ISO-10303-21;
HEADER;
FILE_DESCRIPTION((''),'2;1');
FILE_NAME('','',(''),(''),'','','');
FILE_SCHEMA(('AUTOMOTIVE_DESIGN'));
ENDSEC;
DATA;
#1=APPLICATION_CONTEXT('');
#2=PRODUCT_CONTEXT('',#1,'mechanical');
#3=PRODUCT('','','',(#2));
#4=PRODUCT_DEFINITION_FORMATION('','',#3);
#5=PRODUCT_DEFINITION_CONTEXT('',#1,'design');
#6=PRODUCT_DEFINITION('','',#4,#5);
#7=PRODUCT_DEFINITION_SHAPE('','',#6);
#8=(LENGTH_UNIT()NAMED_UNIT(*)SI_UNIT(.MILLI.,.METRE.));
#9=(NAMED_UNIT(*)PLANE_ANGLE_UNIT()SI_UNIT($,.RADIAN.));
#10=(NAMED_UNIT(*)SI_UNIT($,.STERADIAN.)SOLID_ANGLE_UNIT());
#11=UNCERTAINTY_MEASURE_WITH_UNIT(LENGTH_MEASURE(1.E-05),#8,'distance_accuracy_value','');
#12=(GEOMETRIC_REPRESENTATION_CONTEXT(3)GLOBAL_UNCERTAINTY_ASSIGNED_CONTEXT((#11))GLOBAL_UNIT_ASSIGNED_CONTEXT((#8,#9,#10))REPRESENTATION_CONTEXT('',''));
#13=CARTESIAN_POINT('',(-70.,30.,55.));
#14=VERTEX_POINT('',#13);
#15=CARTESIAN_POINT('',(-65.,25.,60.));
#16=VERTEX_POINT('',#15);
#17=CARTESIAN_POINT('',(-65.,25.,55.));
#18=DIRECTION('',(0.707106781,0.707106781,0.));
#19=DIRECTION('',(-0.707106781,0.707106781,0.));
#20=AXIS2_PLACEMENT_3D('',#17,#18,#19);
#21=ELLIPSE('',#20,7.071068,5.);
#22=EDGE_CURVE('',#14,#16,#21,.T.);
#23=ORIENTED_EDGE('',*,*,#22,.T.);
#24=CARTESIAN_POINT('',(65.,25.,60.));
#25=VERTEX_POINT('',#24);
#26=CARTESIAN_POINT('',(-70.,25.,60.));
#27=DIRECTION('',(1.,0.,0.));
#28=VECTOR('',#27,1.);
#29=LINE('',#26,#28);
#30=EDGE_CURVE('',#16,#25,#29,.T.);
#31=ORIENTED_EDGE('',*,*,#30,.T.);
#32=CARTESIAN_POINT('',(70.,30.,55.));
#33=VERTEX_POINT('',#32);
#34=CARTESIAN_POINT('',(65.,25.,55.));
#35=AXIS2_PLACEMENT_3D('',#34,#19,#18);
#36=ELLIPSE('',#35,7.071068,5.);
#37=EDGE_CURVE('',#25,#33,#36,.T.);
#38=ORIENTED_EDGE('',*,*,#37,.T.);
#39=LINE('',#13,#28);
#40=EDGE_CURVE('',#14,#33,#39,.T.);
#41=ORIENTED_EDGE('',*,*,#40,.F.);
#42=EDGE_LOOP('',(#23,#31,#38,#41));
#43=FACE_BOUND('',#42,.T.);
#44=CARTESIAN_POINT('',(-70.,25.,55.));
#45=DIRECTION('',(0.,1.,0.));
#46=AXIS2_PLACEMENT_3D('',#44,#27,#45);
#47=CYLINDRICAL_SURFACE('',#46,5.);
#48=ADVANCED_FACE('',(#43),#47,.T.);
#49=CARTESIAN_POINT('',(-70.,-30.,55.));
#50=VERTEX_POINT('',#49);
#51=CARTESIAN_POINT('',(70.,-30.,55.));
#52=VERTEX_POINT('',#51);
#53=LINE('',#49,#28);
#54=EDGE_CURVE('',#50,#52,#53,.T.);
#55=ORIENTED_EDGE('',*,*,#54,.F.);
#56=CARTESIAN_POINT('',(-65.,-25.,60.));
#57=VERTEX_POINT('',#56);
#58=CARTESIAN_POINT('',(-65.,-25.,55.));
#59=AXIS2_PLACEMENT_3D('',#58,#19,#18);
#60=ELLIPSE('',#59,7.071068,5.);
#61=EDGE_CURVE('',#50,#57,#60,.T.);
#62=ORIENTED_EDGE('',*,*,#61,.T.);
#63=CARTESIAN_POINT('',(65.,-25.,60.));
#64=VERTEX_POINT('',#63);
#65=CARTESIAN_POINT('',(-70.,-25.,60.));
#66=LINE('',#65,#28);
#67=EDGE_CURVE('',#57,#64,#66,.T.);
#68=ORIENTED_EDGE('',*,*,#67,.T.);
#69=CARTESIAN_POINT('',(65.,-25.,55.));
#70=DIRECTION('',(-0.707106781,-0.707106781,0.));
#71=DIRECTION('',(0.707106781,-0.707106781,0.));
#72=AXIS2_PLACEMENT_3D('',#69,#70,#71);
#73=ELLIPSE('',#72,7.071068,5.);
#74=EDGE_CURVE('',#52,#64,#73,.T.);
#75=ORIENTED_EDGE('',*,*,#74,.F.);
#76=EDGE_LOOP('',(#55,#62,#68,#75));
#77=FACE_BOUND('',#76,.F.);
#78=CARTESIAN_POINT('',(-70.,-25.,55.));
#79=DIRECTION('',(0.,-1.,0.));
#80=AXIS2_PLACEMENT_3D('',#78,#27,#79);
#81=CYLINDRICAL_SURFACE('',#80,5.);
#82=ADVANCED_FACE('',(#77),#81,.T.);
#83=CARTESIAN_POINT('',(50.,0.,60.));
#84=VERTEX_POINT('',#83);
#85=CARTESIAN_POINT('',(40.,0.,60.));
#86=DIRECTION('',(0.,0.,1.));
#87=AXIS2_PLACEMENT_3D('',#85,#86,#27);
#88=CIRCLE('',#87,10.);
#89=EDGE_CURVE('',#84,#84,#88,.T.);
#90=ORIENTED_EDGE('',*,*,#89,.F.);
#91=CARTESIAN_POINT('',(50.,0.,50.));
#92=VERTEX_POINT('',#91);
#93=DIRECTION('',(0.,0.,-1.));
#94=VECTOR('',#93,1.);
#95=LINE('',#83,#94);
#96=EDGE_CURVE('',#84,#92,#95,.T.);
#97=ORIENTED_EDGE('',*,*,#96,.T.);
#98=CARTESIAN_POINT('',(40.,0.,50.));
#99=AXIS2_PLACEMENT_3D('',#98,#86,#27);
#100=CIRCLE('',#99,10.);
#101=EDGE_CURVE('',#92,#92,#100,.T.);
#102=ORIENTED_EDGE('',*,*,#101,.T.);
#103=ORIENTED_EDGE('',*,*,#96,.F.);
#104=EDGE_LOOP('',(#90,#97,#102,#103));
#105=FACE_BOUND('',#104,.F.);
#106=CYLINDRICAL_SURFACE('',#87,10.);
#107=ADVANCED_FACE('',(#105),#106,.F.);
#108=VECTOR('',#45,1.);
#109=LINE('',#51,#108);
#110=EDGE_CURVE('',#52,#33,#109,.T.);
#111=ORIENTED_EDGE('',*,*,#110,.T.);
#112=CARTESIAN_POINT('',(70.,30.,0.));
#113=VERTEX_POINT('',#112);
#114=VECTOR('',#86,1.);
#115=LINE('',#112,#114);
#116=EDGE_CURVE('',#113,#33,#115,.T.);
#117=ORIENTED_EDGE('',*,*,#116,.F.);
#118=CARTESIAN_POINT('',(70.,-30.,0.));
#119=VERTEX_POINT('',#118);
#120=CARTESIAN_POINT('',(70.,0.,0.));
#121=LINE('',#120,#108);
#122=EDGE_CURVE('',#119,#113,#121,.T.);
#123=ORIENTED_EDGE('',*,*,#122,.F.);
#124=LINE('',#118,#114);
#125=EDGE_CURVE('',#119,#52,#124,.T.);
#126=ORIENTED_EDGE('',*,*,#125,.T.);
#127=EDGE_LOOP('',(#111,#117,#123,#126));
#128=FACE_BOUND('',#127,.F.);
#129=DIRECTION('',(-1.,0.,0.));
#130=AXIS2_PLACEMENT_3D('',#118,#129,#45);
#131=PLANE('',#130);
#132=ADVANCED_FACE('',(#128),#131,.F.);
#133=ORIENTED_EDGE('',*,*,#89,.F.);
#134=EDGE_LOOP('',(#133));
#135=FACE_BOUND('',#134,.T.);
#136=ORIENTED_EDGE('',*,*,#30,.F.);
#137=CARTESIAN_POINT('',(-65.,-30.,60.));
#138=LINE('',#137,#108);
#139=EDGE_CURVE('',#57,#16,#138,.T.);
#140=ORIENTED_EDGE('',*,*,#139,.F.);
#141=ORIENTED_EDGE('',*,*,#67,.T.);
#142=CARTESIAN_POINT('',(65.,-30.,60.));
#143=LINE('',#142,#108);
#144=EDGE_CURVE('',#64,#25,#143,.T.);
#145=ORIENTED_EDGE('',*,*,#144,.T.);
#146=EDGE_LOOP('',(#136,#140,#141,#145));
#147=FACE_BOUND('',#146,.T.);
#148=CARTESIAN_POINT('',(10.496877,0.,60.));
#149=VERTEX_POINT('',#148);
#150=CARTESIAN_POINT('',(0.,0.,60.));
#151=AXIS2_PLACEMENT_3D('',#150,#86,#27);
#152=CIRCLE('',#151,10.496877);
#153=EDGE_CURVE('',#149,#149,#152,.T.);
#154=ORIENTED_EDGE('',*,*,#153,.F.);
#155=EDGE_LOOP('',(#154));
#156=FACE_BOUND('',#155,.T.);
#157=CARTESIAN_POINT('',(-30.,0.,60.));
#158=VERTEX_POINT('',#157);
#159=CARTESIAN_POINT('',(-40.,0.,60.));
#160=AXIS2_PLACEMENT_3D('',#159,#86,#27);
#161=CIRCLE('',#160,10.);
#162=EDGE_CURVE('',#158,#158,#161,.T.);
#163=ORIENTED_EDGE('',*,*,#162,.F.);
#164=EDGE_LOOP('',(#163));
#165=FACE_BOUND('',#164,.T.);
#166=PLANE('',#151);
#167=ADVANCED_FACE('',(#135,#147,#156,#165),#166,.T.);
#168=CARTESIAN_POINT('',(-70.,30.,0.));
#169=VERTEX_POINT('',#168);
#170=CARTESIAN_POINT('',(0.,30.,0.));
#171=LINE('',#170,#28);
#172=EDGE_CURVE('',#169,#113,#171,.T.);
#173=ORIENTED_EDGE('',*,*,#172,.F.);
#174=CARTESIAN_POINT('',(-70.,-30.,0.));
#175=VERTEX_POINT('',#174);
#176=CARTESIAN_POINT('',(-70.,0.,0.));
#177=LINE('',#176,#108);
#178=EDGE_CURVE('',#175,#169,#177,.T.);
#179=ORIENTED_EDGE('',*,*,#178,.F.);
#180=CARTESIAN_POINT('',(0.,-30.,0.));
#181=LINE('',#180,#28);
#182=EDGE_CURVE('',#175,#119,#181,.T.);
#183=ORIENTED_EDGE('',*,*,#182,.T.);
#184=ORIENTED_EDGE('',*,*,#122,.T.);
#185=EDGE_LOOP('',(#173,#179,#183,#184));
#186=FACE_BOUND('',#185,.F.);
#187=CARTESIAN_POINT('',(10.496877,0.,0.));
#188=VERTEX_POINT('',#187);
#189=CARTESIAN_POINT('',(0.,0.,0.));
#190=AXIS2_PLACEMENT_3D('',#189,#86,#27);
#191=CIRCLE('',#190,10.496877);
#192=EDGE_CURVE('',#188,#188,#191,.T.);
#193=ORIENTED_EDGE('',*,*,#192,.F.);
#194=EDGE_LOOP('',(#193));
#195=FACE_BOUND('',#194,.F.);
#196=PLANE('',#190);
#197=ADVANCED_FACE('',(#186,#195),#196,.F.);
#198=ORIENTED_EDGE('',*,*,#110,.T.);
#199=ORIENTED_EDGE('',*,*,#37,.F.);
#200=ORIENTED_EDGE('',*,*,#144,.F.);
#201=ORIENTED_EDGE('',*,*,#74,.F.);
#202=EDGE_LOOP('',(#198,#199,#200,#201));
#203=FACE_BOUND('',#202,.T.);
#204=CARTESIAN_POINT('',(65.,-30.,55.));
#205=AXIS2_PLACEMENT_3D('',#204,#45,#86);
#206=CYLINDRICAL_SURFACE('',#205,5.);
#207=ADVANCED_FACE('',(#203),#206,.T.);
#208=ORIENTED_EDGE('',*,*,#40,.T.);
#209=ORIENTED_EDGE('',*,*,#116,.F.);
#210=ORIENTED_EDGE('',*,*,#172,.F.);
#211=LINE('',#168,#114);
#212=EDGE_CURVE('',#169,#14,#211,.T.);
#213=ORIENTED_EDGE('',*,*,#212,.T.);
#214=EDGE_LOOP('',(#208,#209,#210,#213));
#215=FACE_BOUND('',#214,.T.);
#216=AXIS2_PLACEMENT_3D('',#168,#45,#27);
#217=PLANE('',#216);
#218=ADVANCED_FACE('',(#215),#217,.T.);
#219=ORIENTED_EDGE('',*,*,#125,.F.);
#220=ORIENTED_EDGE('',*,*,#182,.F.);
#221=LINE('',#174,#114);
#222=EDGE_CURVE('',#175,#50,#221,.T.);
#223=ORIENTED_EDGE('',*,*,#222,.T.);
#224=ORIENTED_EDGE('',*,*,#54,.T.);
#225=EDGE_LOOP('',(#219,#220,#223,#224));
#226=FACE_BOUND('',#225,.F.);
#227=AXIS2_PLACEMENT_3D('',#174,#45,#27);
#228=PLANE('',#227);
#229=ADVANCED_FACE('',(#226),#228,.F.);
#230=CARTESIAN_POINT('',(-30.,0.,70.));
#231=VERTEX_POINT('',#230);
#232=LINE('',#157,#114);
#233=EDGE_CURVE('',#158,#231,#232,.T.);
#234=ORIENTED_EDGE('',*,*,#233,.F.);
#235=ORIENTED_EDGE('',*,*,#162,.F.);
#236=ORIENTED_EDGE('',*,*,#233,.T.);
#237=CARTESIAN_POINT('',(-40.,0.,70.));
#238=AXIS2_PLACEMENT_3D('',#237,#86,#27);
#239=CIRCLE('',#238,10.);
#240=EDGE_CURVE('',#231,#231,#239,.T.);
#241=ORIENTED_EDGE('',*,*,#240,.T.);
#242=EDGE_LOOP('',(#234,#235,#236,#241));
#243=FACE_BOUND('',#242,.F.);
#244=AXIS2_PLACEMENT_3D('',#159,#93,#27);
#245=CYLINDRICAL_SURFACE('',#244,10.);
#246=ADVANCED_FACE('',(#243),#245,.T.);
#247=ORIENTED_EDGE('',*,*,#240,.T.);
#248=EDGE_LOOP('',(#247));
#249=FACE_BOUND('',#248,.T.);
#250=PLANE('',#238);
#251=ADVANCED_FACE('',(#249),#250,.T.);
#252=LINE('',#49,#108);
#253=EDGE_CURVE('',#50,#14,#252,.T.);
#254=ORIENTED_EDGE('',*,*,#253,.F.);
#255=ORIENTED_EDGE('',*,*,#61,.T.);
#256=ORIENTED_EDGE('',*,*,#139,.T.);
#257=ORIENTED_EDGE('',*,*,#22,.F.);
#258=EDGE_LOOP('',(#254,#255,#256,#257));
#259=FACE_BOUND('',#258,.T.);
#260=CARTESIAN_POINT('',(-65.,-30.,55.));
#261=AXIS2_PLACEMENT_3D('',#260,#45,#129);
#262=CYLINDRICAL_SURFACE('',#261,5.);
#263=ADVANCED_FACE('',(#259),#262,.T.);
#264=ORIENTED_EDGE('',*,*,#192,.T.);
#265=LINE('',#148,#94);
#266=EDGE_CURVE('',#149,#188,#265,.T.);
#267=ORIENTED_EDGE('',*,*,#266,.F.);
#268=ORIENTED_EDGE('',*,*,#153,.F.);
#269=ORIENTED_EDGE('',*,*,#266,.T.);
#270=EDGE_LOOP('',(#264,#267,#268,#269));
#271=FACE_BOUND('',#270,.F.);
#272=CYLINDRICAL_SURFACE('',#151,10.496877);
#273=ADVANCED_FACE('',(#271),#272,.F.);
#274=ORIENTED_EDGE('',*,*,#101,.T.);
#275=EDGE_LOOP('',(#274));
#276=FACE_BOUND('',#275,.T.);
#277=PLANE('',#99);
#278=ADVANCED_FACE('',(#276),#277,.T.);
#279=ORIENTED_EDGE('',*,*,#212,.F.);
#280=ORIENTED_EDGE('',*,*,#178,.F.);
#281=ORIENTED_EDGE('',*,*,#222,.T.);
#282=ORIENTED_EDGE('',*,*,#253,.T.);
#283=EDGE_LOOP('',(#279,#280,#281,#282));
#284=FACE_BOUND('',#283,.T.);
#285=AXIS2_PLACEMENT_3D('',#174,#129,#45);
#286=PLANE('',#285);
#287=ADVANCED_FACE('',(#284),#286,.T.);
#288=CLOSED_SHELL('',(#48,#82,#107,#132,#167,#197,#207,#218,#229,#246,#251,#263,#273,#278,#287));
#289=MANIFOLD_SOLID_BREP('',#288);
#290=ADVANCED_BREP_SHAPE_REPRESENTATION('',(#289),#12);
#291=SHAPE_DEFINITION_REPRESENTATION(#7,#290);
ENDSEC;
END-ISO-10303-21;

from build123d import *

# Parameters (mm, degrees)
F0_W     = 140
F0_H     = 60
F1_DEPTH = 60
F2_R     = 10
F5_DEPTH = 10
F4_R     = 10.496877
F6_DEPTH = 69.2
F3_R     = 10
F7_DEPTH = 10
F8_R     = 5


with BuildPart() as f1:
    # F0 (on Top) → F1 (new body)
    with BuildSketch(Plane.XY):
        Rectangle(F0_W, F0_H)
    extrude(amount=F1_DEPTH)

    # F2 (on face) → F5 (join)
    with BuildSketch(Plane.XY.offset(60)):
        with Locations((-40, 0)):
            Circle(F2_R)
    extrude(amount=F5_DEPTH)

    # F4 (on face) → F6 (cut)
    with BuildSketch(Plane.XY.offset(60)):
        Circle(F4_R)
    extrude(amount=-F6_DEPTH, mode=Mode.SUBTRACT)

    # F3 (on face) → F7 (cut)
    with BuildSketch(Plane.XY.offset(60)):
        with Locations((40, 0)):
            Circle(F3_R)
    extrude(amount=-F7_DEPTH, mode=Mode.SUBTRACT)

    # F8
    f8_edges = [f1.edges().sort_by_distance(p)[0] for p in [
        (-70, 0, 60),
        (0, -30, 60),
        (70, 0, 60),
        (0, 30, 60),
    ]]
    fillet(f8_edges, radius=F8_R)


solid = f1.part
